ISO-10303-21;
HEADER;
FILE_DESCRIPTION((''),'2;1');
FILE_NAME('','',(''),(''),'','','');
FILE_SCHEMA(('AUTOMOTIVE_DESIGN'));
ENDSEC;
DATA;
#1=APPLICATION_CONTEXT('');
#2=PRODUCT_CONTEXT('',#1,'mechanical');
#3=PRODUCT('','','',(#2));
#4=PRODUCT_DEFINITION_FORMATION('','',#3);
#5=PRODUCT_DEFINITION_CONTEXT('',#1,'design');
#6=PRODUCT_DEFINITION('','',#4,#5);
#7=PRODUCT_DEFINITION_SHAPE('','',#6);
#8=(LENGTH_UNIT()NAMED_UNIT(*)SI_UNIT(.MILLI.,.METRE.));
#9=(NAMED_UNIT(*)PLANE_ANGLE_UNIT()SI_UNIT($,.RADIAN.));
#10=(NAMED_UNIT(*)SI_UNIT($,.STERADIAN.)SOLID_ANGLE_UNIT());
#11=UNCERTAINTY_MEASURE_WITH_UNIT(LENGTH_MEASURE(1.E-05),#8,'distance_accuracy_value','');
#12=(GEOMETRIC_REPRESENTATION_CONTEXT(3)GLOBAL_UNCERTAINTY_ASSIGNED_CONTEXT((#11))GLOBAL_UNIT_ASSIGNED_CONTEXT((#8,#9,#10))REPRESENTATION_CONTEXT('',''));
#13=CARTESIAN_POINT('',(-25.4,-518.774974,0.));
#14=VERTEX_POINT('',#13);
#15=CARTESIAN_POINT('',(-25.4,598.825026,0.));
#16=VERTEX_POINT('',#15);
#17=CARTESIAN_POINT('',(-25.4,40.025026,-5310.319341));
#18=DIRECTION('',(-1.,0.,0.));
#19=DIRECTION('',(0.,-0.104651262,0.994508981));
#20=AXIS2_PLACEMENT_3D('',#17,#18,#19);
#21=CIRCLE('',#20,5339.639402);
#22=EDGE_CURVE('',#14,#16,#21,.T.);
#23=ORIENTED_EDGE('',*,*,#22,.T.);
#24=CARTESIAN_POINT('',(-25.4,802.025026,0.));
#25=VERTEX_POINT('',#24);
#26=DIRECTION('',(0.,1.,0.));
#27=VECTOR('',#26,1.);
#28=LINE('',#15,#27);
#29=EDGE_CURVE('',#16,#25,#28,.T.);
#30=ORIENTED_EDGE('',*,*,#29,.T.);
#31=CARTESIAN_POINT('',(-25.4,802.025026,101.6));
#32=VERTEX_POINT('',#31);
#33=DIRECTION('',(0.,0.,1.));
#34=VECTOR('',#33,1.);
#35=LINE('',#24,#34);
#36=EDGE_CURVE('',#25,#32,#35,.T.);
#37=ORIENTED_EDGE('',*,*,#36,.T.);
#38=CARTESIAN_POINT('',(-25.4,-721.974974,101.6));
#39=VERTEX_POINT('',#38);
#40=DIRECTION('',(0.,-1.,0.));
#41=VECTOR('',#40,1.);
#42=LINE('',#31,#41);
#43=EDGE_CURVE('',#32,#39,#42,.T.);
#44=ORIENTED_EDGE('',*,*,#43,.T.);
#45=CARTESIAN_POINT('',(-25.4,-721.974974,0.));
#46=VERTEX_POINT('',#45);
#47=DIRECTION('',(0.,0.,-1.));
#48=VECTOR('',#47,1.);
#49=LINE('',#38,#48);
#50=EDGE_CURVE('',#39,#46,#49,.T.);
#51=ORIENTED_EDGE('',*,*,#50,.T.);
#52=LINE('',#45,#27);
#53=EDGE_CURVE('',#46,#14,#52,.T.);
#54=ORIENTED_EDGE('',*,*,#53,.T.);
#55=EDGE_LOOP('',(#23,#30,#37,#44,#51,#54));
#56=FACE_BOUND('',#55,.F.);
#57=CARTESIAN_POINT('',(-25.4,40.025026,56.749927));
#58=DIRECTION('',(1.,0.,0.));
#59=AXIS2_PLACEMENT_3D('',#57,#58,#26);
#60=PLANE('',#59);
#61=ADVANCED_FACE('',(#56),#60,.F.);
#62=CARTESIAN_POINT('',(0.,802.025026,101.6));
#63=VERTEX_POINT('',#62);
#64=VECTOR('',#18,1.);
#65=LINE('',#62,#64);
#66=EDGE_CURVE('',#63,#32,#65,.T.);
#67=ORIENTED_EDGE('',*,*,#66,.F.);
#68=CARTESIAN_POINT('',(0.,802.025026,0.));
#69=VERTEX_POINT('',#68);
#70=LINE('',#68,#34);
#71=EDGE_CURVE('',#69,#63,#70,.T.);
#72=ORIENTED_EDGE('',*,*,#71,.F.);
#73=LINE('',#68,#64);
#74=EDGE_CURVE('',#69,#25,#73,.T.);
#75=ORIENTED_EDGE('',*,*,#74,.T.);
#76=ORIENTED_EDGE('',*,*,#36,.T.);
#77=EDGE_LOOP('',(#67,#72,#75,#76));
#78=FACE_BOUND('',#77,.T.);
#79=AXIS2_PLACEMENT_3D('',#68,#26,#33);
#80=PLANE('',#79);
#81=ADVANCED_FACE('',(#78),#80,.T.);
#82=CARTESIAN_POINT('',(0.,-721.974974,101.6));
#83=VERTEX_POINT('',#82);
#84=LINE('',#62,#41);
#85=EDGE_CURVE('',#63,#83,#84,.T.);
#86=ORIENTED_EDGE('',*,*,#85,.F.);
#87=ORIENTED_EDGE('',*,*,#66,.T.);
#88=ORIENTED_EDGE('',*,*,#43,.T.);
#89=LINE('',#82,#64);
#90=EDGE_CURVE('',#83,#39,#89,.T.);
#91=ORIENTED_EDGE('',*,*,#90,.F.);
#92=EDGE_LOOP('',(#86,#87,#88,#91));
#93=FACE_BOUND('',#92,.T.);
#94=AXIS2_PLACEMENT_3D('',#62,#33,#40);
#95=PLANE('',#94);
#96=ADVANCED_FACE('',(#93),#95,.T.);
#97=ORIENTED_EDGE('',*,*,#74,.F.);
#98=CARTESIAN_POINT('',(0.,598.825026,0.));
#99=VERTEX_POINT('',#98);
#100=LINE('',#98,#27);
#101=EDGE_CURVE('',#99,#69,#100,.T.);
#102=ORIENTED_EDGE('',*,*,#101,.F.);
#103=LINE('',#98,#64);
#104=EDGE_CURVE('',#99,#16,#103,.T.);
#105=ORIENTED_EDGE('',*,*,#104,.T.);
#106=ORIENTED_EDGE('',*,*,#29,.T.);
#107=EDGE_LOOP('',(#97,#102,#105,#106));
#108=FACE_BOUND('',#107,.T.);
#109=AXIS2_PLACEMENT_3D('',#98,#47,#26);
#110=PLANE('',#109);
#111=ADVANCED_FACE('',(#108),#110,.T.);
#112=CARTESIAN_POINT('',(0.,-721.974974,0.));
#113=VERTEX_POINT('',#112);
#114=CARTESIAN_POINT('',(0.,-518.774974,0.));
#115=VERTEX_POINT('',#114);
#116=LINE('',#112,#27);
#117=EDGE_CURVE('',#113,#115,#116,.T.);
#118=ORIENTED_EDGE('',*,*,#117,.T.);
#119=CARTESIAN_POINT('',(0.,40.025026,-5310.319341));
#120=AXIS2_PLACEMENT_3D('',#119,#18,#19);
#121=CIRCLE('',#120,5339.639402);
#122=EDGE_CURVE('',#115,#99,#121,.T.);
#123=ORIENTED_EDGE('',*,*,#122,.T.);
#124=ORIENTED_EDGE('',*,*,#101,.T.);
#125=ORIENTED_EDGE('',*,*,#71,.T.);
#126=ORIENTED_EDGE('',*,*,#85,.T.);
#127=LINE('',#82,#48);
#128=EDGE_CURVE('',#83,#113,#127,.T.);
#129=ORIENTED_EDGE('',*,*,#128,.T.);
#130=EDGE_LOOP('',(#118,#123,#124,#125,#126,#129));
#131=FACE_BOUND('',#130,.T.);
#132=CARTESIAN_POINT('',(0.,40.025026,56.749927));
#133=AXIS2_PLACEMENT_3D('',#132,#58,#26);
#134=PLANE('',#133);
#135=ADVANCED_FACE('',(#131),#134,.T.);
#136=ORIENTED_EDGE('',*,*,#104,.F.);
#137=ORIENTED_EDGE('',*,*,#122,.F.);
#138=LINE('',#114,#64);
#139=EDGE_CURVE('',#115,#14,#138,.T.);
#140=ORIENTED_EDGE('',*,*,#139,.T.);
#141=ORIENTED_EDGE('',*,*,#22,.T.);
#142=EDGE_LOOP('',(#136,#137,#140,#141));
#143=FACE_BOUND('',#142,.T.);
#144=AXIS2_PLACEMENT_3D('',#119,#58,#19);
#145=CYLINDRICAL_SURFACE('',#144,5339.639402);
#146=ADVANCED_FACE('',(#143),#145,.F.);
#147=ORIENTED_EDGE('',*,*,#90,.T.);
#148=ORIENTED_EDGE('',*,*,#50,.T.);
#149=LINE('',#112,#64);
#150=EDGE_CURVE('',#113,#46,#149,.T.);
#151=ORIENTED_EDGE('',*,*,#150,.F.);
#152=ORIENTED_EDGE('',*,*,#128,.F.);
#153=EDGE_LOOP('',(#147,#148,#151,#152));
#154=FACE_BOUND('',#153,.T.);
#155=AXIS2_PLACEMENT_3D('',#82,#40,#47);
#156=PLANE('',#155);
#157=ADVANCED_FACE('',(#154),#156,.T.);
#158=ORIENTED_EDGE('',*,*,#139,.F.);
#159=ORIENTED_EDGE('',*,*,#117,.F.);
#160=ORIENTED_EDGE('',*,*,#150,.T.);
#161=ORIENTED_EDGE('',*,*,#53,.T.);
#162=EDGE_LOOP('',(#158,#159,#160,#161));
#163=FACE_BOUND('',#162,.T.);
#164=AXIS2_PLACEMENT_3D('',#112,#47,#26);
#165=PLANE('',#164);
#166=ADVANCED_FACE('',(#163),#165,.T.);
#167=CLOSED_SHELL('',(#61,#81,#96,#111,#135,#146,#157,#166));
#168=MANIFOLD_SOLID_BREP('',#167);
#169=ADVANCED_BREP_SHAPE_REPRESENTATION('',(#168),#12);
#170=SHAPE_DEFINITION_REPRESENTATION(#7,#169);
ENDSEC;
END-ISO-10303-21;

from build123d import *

# Parameters (mm, degrees)
F1_DEPTH = 25.4


with BuildPart() as f1:
    # F0 (on Right) → F1 (new body)
    with BuildSketch(Plane.YZ):
        with BuildLine():
            Line((802.025026, 101.6), (-721.974974, 101.6))
            Line((-721.974974, 101.6), (-721.974974, 0))
            Line((-721.974974, 0), (-518.774974, 0))
            ThreePointArc((-518.774974, 0), (40.025026, 29.320061), (598.825026, 0))
            Line((598.825026, 0), (802.025026, 0))
            Line((802.025026, 0), (802.025026, 101.6))
        make_face()
    extrude(amount=-F1_DEPTH)


solid = f1.part
